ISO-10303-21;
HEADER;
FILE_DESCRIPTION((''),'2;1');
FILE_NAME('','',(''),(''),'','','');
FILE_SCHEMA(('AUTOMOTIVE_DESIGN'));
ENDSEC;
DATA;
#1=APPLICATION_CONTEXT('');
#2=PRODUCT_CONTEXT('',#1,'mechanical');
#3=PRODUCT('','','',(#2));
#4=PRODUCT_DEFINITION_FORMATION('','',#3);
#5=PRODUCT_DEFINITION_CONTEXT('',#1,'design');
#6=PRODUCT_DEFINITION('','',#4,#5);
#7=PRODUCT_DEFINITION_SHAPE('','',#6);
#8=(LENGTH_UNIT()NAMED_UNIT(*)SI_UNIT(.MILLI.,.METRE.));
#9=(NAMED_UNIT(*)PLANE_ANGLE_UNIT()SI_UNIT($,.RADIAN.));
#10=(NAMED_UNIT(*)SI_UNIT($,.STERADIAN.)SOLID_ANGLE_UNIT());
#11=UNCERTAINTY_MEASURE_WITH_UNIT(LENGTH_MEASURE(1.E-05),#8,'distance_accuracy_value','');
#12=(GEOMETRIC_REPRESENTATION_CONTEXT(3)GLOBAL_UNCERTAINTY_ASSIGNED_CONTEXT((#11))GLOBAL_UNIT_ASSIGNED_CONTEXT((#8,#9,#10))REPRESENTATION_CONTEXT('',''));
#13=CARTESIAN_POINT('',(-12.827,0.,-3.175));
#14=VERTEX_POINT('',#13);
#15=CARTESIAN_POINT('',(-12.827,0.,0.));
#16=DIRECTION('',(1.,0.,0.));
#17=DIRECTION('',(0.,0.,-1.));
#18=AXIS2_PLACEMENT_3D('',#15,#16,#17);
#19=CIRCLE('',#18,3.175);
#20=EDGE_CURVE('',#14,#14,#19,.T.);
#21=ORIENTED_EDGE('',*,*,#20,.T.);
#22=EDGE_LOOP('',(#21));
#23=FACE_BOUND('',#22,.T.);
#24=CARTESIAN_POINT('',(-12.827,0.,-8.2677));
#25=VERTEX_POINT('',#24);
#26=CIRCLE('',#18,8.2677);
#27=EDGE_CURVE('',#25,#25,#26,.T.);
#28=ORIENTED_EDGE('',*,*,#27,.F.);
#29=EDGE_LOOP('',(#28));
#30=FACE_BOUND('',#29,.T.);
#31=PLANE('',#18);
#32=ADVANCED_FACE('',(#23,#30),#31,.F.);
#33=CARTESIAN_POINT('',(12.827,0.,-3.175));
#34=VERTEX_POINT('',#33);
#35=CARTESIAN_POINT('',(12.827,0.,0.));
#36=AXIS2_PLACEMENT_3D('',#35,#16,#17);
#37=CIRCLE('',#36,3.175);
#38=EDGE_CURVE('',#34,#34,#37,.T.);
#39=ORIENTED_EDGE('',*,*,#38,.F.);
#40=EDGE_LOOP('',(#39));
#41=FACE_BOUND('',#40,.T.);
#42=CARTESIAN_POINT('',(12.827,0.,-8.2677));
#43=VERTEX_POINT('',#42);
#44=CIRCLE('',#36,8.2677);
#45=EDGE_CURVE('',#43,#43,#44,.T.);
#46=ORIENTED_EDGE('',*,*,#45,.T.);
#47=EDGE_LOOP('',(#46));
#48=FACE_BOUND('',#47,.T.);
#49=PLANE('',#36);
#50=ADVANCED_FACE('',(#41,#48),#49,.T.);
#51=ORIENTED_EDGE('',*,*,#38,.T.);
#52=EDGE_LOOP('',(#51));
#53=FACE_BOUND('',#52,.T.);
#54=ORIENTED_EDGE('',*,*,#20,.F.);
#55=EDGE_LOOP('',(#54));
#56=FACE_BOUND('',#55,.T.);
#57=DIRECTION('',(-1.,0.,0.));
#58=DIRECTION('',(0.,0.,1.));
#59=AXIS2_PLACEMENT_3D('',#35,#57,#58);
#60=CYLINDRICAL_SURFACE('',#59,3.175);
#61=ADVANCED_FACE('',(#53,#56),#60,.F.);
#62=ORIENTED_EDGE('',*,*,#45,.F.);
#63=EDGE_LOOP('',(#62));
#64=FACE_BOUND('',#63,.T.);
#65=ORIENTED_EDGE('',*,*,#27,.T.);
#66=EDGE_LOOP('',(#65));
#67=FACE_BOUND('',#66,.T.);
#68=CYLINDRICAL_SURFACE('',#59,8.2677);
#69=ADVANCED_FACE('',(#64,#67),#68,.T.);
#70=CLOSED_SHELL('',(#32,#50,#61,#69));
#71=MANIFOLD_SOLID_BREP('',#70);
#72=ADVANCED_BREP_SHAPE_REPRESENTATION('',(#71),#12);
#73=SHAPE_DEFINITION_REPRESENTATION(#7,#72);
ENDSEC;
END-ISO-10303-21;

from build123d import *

# Parameters (mm, degrees)
SKETCH1_R           = 8.2677
SKETCH1_R_2         = 3.175
BOSS_EXTRUDE1_DEPTH = 12.827


with BuildPart() as part:
    # Sketch1 → Boss-Extrude1 (new body, symmetric)
    with BuildSketch(Plane(origin=(0, 0, 0), x_dir=(0, 0, -1), z_dir=(1, 0, 0))):
        Circle(SKETCH1_R)
        Circle(SKETCH1_R_2, mode=Mode.SUBTRACT)
    extrude(amount=BOSS_EXTRUDE1_DEPTH, both=True)


solid = part.part
